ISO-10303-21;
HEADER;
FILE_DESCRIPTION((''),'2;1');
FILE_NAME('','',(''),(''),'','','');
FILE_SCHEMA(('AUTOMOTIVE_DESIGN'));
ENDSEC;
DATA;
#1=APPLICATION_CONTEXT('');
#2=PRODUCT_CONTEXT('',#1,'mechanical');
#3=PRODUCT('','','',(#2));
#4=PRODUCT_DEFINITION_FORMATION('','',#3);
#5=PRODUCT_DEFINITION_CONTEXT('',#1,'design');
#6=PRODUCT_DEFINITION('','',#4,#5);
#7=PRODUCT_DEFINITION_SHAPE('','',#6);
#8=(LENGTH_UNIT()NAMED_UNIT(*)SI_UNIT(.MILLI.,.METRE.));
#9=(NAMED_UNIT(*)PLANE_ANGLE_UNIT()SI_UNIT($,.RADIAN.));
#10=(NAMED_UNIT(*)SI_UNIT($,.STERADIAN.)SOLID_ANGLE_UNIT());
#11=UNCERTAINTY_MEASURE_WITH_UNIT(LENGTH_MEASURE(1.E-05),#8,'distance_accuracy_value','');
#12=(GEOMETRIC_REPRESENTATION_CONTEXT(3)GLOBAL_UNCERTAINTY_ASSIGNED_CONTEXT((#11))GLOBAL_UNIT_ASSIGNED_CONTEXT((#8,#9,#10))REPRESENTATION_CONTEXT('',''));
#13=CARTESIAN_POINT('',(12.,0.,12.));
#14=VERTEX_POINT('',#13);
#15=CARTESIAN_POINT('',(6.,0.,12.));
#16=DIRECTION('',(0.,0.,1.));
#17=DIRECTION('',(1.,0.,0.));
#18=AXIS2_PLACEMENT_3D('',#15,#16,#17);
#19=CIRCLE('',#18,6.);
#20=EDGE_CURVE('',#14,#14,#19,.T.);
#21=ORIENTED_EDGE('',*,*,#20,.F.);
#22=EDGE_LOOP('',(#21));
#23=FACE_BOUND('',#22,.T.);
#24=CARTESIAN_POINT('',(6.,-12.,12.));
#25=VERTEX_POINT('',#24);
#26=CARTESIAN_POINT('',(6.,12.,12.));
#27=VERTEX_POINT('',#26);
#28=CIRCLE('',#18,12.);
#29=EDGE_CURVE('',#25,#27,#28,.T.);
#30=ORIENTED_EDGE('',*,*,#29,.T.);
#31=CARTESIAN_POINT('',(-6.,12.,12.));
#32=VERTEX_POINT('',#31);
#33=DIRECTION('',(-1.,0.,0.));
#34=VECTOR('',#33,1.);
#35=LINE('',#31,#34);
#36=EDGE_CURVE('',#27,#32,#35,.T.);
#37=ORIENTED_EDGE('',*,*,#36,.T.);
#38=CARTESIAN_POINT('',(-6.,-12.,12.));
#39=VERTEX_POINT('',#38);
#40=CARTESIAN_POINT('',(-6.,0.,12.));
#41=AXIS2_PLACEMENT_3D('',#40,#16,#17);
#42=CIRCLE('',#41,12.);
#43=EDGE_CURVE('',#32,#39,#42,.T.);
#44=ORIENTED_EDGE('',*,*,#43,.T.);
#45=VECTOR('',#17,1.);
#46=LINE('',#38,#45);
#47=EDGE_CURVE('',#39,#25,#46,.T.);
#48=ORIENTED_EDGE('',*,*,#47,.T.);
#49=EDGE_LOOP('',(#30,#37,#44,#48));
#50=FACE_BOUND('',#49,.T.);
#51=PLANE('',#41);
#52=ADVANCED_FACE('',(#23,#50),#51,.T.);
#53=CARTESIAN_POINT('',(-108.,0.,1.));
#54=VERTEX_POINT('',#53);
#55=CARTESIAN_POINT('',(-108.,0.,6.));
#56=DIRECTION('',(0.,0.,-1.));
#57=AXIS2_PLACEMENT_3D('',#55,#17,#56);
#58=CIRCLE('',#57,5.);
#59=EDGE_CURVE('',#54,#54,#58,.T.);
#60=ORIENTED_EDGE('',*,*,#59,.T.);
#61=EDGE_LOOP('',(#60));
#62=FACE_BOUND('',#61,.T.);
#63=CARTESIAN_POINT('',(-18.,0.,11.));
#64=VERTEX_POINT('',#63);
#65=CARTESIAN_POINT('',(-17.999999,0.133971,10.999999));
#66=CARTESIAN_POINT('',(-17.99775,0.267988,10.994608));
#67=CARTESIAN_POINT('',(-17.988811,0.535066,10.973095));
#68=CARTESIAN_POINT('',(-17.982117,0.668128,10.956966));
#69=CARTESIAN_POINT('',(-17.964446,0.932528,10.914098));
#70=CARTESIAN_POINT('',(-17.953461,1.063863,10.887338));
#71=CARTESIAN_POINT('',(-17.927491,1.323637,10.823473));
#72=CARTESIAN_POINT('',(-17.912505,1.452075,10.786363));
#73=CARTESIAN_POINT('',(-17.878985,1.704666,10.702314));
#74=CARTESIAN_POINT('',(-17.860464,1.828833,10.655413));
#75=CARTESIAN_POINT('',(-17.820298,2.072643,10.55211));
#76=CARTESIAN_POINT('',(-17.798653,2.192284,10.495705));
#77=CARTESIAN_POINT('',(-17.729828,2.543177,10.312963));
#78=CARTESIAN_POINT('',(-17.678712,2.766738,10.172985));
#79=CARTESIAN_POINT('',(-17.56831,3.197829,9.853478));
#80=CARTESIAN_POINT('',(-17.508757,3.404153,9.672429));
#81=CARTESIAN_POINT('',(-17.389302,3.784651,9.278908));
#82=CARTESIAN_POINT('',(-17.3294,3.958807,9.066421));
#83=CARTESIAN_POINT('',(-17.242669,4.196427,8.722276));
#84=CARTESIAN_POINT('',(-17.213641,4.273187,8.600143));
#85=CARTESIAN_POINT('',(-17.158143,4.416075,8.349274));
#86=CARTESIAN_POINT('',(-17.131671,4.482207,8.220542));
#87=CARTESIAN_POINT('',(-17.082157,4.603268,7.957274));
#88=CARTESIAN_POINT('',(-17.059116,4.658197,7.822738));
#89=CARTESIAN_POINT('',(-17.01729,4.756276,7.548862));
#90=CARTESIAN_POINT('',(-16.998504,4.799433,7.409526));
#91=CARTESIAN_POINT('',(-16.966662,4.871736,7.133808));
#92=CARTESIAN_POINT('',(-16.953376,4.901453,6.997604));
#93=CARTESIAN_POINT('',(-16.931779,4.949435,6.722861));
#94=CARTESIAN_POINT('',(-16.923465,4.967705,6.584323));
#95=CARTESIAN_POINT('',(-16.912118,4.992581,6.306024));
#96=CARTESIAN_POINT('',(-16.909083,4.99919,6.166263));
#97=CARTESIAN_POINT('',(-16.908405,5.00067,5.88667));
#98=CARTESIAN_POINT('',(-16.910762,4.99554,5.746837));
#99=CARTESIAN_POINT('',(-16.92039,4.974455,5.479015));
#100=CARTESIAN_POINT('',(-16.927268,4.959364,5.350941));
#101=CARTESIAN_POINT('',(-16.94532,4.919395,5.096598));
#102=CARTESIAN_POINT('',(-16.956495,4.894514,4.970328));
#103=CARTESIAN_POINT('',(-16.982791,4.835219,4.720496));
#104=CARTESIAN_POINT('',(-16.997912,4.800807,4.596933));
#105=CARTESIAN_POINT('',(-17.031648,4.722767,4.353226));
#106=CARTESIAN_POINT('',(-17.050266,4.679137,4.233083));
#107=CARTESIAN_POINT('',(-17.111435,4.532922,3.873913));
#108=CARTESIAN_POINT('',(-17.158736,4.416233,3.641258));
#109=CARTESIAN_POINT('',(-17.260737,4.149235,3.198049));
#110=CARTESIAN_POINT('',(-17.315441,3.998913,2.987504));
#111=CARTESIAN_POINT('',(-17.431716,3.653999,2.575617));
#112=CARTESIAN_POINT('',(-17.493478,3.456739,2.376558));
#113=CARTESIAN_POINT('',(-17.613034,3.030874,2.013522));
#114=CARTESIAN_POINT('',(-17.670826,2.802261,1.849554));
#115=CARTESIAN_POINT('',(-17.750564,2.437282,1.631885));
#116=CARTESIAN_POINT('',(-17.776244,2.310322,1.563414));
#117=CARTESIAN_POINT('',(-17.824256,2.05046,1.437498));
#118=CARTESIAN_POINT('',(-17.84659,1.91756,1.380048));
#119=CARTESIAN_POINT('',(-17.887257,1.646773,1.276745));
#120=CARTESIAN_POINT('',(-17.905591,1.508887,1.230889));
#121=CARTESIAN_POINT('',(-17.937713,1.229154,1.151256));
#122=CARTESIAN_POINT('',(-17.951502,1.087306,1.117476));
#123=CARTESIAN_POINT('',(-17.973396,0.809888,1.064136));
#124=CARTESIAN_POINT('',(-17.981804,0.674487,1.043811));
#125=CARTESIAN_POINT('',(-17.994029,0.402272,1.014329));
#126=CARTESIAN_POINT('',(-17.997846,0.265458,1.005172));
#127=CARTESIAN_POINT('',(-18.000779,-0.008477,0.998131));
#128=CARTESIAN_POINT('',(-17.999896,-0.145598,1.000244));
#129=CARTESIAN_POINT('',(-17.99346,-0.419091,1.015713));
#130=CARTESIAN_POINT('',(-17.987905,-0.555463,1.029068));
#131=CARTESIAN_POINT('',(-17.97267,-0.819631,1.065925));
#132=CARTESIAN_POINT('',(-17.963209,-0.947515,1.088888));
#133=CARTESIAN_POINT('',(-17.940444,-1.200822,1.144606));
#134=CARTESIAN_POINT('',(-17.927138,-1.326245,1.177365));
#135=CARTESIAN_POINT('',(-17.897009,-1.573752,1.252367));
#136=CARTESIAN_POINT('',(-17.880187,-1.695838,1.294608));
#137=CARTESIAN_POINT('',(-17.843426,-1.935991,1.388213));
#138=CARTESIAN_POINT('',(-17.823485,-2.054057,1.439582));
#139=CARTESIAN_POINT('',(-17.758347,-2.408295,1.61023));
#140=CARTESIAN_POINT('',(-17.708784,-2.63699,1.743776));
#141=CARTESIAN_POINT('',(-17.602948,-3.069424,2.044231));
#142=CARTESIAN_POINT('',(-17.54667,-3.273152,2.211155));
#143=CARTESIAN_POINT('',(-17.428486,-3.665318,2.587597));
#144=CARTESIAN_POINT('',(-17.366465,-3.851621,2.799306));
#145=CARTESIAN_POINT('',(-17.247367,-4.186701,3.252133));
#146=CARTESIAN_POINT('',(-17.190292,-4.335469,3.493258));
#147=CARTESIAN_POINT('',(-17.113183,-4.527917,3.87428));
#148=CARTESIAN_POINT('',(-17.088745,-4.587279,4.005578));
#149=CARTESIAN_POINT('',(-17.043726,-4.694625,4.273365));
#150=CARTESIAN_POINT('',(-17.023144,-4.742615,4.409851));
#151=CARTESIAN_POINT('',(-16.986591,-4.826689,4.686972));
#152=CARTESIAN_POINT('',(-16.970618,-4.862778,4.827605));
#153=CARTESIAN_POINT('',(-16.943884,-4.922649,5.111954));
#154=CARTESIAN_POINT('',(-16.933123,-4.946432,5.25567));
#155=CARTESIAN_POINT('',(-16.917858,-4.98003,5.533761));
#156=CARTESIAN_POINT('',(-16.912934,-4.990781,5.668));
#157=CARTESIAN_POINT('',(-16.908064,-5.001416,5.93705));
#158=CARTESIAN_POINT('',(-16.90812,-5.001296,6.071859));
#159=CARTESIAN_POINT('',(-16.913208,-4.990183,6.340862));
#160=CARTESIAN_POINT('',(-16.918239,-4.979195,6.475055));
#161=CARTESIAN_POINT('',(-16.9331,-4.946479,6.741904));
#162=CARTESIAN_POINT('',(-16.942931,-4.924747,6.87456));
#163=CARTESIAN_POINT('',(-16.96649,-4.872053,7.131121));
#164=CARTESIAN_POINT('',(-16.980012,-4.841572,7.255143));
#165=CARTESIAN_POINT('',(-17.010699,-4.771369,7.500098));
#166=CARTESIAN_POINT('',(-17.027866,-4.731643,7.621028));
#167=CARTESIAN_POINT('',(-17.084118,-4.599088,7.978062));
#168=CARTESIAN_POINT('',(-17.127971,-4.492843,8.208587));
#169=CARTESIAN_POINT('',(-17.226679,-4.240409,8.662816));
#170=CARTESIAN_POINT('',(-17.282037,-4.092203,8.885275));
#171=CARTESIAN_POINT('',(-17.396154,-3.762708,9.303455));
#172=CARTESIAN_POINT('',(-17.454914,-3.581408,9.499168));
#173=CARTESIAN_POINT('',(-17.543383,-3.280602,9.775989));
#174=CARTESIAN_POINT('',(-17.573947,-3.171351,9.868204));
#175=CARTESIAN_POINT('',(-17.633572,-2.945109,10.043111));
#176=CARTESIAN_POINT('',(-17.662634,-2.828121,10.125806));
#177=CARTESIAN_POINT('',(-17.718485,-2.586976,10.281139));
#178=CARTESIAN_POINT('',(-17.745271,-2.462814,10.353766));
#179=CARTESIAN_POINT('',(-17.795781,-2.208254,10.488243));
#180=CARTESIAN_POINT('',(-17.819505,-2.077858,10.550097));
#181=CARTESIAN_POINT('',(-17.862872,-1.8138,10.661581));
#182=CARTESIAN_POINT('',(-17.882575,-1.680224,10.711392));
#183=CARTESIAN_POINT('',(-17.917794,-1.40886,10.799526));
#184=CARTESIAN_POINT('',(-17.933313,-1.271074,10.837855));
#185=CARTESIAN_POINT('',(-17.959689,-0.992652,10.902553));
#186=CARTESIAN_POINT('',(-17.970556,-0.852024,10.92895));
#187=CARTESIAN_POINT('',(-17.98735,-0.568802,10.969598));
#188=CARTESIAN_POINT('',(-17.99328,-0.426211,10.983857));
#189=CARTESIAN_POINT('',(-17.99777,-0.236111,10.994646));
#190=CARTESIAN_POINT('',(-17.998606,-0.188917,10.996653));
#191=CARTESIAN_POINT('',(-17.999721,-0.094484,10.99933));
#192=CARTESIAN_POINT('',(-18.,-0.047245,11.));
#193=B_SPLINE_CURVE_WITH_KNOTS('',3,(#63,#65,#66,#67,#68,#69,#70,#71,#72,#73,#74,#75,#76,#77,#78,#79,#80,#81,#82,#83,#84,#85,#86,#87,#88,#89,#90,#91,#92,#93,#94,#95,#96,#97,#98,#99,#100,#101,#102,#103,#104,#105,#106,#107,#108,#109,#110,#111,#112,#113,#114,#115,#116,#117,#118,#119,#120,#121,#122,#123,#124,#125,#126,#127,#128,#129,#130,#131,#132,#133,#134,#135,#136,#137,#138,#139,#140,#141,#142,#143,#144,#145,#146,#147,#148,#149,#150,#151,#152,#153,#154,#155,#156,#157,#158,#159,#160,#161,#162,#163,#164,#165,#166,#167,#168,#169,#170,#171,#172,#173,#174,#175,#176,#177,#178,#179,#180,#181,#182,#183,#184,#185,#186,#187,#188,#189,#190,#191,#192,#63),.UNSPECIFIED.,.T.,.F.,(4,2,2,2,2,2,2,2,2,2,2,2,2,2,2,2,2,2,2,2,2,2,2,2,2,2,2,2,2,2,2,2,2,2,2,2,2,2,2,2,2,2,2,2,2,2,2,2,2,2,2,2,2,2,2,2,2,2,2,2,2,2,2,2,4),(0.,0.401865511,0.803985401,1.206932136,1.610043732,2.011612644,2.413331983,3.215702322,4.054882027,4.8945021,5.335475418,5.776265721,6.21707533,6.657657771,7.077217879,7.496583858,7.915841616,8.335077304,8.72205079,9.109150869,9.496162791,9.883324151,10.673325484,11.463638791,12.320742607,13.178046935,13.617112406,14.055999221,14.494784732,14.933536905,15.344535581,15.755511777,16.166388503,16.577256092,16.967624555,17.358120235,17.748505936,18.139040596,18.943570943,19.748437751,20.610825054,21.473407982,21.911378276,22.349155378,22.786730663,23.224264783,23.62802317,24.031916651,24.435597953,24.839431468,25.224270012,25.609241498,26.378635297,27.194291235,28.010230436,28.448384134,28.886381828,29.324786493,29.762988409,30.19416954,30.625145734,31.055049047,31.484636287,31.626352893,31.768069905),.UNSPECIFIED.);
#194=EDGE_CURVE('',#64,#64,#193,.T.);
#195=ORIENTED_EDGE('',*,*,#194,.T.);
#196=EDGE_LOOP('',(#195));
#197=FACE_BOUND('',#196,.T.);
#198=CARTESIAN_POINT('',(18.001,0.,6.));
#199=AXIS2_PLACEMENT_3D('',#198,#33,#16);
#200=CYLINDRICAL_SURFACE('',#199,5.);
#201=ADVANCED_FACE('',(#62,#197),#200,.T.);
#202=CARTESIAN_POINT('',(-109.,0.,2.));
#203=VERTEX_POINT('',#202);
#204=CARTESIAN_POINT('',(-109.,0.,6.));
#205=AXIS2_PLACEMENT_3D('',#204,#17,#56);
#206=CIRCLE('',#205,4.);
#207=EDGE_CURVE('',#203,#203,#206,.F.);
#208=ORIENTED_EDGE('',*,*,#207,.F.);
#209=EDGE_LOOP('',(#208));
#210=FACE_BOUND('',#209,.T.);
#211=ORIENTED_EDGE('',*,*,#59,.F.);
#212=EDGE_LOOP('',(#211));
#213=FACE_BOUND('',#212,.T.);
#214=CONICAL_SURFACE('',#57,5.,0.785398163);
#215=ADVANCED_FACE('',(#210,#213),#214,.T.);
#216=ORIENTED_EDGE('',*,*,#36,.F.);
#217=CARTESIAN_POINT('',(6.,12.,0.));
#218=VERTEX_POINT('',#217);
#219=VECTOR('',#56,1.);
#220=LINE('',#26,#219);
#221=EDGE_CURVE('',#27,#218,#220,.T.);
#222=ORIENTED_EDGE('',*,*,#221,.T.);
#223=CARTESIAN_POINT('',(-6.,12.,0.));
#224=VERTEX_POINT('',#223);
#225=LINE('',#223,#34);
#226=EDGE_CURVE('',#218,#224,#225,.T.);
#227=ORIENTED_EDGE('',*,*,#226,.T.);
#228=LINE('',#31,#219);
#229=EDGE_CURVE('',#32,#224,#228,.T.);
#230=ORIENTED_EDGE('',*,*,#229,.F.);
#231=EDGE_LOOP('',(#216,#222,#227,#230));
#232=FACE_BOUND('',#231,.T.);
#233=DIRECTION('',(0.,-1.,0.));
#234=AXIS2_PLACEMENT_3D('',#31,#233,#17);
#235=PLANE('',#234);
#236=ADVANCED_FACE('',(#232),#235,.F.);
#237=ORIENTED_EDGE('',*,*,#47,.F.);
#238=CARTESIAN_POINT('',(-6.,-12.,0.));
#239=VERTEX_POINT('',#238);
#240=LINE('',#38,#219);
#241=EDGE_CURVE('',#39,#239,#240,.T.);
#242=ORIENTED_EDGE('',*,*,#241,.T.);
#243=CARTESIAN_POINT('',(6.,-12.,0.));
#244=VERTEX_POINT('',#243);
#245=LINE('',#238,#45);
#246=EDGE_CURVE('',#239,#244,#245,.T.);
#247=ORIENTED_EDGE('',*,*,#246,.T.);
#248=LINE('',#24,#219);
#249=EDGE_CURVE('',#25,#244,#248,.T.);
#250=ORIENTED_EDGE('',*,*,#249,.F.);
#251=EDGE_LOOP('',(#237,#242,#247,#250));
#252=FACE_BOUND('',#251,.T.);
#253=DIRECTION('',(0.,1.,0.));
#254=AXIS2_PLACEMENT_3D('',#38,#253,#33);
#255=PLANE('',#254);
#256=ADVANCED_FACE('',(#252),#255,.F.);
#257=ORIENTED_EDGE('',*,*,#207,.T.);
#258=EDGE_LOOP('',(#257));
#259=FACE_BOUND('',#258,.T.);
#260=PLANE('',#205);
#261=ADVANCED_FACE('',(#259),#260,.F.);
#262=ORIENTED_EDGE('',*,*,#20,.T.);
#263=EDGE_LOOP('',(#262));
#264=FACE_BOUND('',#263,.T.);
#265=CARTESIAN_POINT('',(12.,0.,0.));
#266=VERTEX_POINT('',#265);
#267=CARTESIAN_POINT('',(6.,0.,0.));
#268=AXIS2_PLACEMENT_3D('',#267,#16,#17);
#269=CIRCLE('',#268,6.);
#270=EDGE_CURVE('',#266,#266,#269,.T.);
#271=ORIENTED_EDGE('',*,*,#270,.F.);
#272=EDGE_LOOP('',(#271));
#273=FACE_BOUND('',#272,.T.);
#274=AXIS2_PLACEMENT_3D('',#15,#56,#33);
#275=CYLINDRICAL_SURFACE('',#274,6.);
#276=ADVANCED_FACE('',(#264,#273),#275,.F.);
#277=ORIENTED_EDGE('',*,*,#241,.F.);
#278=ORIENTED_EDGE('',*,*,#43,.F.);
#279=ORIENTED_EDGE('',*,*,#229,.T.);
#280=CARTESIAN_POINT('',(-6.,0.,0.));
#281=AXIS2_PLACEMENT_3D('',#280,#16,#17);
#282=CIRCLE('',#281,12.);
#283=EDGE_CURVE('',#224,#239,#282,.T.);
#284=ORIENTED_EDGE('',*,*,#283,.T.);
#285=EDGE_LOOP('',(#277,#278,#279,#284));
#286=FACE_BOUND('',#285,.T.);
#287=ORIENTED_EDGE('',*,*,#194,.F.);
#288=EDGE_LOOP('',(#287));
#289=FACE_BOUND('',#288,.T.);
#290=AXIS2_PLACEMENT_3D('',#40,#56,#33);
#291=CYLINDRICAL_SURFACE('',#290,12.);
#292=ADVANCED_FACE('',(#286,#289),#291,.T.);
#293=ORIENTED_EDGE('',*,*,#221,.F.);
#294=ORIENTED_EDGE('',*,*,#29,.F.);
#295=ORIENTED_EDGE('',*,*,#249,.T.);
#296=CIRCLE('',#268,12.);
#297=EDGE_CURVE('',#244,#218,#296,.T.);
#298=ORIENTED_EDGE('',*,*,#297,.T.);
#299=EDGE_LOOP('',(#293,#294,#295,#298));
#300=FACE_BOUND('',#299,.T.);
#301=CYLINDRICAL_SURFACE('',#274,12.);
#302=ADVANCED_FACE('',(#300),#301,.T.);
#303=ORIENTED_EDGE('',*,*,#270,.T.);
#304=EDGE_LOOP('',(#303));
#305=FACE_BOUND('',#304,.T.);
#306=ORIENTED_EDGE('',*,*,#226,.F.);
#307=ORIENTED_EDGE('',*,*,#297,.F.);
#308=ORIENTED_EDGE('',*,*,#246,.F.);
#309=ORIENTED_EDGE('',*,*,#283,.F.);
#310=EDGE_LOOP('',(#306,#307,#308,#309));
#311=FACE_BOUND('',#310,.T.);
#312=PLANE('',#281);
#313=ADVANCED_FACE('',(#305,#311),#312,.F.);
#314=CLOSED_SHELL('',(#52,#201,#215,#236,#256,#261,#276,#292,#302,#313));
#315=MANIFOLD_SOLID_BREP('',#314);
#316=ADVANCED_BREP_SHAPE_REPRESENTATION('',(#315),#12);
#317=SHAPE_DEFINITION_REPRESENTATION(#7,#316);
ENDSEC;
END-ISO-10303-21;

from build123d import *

# Parameters (mm, degrees)
SCHIZZO1_R                        = 6
ESTRUSIONE_ESTRUSIONE1_DEPTH      = 12
ESTRUSIONE_ESTRUSIONE2_REACH      = 130.129
ESTRUSIONE_ESTRUSIONE2_END_RADIUS = 12
SCHIZZO2_R                        = 5
SMUSSO1_SIZE                      = 1


with BuildPart() as part:
    # Schizzo1 → Estrusione-Estrusione1 (new body)
    with BuildSketch(Plane.XY):
        with BuildLine():
            Line((-6, 12), (6, 12))
            ThreePointArc((6, 12), (18, 0), (6, -12))
            Line((6, -12), (-6, -12))
            ThreePointArc((-6, -12), (-18, 0), (-6, 12))
        make_face()
        with Locations((6, 0)):
            Circle(SCHIZZO1_R, mode=Mode.SUBTRACT)
    extrude(amount=ESTRUSIONE_ESTRUSIONE1_DEPTH)

    # Estrusione-Estrusione2: up to this cylinder (the profile starts outside it)
    estrusione_estrusione2_end = Plane(origin=(-6, 0, 6), z_dir=(0, 0, -1)) * Cylinder(ESTRUSIONE_ESTRUSIONE2_END_RADIUS, 285.258, mode=Mode.PRIVATE)
    # Schizzo2 → Estrusione-Estrusione2 (add, up to the surface)
    with BuildSketch(Plane(origin=(-109, 0, 0), x_dir=(0, 0, -1), z_dir=(1, 0, 0)), mode=Mode.PRIVATE) as estrusione_estrusione2_sk1:
        with Locations(Location((-6, 0, 0), (0, 0, 180))):
            Circle(SCHIZZO2_R)
    estrusione_estrusione2_tool1 = extrude(estrusione_estrusione2_sk1.sketch, amount=ESTRUSIONE_ESTRUSIONE2_REACH, mode=Mode.PRIVATE) - estrusione_estrusione2_end
    add(estrusione_estrusione2_tool1.solids().sort_by_distance((-109, 0, 6))[0])

    # Smusso1
    smusso1_edges = [part.edges().sort_by_distance(p)[0] for p in [
        (-109, 0, 1),
    ]]
    chamfer(smusso1_edges, length=SMUSSO1_SIZE)


solid = part.part
